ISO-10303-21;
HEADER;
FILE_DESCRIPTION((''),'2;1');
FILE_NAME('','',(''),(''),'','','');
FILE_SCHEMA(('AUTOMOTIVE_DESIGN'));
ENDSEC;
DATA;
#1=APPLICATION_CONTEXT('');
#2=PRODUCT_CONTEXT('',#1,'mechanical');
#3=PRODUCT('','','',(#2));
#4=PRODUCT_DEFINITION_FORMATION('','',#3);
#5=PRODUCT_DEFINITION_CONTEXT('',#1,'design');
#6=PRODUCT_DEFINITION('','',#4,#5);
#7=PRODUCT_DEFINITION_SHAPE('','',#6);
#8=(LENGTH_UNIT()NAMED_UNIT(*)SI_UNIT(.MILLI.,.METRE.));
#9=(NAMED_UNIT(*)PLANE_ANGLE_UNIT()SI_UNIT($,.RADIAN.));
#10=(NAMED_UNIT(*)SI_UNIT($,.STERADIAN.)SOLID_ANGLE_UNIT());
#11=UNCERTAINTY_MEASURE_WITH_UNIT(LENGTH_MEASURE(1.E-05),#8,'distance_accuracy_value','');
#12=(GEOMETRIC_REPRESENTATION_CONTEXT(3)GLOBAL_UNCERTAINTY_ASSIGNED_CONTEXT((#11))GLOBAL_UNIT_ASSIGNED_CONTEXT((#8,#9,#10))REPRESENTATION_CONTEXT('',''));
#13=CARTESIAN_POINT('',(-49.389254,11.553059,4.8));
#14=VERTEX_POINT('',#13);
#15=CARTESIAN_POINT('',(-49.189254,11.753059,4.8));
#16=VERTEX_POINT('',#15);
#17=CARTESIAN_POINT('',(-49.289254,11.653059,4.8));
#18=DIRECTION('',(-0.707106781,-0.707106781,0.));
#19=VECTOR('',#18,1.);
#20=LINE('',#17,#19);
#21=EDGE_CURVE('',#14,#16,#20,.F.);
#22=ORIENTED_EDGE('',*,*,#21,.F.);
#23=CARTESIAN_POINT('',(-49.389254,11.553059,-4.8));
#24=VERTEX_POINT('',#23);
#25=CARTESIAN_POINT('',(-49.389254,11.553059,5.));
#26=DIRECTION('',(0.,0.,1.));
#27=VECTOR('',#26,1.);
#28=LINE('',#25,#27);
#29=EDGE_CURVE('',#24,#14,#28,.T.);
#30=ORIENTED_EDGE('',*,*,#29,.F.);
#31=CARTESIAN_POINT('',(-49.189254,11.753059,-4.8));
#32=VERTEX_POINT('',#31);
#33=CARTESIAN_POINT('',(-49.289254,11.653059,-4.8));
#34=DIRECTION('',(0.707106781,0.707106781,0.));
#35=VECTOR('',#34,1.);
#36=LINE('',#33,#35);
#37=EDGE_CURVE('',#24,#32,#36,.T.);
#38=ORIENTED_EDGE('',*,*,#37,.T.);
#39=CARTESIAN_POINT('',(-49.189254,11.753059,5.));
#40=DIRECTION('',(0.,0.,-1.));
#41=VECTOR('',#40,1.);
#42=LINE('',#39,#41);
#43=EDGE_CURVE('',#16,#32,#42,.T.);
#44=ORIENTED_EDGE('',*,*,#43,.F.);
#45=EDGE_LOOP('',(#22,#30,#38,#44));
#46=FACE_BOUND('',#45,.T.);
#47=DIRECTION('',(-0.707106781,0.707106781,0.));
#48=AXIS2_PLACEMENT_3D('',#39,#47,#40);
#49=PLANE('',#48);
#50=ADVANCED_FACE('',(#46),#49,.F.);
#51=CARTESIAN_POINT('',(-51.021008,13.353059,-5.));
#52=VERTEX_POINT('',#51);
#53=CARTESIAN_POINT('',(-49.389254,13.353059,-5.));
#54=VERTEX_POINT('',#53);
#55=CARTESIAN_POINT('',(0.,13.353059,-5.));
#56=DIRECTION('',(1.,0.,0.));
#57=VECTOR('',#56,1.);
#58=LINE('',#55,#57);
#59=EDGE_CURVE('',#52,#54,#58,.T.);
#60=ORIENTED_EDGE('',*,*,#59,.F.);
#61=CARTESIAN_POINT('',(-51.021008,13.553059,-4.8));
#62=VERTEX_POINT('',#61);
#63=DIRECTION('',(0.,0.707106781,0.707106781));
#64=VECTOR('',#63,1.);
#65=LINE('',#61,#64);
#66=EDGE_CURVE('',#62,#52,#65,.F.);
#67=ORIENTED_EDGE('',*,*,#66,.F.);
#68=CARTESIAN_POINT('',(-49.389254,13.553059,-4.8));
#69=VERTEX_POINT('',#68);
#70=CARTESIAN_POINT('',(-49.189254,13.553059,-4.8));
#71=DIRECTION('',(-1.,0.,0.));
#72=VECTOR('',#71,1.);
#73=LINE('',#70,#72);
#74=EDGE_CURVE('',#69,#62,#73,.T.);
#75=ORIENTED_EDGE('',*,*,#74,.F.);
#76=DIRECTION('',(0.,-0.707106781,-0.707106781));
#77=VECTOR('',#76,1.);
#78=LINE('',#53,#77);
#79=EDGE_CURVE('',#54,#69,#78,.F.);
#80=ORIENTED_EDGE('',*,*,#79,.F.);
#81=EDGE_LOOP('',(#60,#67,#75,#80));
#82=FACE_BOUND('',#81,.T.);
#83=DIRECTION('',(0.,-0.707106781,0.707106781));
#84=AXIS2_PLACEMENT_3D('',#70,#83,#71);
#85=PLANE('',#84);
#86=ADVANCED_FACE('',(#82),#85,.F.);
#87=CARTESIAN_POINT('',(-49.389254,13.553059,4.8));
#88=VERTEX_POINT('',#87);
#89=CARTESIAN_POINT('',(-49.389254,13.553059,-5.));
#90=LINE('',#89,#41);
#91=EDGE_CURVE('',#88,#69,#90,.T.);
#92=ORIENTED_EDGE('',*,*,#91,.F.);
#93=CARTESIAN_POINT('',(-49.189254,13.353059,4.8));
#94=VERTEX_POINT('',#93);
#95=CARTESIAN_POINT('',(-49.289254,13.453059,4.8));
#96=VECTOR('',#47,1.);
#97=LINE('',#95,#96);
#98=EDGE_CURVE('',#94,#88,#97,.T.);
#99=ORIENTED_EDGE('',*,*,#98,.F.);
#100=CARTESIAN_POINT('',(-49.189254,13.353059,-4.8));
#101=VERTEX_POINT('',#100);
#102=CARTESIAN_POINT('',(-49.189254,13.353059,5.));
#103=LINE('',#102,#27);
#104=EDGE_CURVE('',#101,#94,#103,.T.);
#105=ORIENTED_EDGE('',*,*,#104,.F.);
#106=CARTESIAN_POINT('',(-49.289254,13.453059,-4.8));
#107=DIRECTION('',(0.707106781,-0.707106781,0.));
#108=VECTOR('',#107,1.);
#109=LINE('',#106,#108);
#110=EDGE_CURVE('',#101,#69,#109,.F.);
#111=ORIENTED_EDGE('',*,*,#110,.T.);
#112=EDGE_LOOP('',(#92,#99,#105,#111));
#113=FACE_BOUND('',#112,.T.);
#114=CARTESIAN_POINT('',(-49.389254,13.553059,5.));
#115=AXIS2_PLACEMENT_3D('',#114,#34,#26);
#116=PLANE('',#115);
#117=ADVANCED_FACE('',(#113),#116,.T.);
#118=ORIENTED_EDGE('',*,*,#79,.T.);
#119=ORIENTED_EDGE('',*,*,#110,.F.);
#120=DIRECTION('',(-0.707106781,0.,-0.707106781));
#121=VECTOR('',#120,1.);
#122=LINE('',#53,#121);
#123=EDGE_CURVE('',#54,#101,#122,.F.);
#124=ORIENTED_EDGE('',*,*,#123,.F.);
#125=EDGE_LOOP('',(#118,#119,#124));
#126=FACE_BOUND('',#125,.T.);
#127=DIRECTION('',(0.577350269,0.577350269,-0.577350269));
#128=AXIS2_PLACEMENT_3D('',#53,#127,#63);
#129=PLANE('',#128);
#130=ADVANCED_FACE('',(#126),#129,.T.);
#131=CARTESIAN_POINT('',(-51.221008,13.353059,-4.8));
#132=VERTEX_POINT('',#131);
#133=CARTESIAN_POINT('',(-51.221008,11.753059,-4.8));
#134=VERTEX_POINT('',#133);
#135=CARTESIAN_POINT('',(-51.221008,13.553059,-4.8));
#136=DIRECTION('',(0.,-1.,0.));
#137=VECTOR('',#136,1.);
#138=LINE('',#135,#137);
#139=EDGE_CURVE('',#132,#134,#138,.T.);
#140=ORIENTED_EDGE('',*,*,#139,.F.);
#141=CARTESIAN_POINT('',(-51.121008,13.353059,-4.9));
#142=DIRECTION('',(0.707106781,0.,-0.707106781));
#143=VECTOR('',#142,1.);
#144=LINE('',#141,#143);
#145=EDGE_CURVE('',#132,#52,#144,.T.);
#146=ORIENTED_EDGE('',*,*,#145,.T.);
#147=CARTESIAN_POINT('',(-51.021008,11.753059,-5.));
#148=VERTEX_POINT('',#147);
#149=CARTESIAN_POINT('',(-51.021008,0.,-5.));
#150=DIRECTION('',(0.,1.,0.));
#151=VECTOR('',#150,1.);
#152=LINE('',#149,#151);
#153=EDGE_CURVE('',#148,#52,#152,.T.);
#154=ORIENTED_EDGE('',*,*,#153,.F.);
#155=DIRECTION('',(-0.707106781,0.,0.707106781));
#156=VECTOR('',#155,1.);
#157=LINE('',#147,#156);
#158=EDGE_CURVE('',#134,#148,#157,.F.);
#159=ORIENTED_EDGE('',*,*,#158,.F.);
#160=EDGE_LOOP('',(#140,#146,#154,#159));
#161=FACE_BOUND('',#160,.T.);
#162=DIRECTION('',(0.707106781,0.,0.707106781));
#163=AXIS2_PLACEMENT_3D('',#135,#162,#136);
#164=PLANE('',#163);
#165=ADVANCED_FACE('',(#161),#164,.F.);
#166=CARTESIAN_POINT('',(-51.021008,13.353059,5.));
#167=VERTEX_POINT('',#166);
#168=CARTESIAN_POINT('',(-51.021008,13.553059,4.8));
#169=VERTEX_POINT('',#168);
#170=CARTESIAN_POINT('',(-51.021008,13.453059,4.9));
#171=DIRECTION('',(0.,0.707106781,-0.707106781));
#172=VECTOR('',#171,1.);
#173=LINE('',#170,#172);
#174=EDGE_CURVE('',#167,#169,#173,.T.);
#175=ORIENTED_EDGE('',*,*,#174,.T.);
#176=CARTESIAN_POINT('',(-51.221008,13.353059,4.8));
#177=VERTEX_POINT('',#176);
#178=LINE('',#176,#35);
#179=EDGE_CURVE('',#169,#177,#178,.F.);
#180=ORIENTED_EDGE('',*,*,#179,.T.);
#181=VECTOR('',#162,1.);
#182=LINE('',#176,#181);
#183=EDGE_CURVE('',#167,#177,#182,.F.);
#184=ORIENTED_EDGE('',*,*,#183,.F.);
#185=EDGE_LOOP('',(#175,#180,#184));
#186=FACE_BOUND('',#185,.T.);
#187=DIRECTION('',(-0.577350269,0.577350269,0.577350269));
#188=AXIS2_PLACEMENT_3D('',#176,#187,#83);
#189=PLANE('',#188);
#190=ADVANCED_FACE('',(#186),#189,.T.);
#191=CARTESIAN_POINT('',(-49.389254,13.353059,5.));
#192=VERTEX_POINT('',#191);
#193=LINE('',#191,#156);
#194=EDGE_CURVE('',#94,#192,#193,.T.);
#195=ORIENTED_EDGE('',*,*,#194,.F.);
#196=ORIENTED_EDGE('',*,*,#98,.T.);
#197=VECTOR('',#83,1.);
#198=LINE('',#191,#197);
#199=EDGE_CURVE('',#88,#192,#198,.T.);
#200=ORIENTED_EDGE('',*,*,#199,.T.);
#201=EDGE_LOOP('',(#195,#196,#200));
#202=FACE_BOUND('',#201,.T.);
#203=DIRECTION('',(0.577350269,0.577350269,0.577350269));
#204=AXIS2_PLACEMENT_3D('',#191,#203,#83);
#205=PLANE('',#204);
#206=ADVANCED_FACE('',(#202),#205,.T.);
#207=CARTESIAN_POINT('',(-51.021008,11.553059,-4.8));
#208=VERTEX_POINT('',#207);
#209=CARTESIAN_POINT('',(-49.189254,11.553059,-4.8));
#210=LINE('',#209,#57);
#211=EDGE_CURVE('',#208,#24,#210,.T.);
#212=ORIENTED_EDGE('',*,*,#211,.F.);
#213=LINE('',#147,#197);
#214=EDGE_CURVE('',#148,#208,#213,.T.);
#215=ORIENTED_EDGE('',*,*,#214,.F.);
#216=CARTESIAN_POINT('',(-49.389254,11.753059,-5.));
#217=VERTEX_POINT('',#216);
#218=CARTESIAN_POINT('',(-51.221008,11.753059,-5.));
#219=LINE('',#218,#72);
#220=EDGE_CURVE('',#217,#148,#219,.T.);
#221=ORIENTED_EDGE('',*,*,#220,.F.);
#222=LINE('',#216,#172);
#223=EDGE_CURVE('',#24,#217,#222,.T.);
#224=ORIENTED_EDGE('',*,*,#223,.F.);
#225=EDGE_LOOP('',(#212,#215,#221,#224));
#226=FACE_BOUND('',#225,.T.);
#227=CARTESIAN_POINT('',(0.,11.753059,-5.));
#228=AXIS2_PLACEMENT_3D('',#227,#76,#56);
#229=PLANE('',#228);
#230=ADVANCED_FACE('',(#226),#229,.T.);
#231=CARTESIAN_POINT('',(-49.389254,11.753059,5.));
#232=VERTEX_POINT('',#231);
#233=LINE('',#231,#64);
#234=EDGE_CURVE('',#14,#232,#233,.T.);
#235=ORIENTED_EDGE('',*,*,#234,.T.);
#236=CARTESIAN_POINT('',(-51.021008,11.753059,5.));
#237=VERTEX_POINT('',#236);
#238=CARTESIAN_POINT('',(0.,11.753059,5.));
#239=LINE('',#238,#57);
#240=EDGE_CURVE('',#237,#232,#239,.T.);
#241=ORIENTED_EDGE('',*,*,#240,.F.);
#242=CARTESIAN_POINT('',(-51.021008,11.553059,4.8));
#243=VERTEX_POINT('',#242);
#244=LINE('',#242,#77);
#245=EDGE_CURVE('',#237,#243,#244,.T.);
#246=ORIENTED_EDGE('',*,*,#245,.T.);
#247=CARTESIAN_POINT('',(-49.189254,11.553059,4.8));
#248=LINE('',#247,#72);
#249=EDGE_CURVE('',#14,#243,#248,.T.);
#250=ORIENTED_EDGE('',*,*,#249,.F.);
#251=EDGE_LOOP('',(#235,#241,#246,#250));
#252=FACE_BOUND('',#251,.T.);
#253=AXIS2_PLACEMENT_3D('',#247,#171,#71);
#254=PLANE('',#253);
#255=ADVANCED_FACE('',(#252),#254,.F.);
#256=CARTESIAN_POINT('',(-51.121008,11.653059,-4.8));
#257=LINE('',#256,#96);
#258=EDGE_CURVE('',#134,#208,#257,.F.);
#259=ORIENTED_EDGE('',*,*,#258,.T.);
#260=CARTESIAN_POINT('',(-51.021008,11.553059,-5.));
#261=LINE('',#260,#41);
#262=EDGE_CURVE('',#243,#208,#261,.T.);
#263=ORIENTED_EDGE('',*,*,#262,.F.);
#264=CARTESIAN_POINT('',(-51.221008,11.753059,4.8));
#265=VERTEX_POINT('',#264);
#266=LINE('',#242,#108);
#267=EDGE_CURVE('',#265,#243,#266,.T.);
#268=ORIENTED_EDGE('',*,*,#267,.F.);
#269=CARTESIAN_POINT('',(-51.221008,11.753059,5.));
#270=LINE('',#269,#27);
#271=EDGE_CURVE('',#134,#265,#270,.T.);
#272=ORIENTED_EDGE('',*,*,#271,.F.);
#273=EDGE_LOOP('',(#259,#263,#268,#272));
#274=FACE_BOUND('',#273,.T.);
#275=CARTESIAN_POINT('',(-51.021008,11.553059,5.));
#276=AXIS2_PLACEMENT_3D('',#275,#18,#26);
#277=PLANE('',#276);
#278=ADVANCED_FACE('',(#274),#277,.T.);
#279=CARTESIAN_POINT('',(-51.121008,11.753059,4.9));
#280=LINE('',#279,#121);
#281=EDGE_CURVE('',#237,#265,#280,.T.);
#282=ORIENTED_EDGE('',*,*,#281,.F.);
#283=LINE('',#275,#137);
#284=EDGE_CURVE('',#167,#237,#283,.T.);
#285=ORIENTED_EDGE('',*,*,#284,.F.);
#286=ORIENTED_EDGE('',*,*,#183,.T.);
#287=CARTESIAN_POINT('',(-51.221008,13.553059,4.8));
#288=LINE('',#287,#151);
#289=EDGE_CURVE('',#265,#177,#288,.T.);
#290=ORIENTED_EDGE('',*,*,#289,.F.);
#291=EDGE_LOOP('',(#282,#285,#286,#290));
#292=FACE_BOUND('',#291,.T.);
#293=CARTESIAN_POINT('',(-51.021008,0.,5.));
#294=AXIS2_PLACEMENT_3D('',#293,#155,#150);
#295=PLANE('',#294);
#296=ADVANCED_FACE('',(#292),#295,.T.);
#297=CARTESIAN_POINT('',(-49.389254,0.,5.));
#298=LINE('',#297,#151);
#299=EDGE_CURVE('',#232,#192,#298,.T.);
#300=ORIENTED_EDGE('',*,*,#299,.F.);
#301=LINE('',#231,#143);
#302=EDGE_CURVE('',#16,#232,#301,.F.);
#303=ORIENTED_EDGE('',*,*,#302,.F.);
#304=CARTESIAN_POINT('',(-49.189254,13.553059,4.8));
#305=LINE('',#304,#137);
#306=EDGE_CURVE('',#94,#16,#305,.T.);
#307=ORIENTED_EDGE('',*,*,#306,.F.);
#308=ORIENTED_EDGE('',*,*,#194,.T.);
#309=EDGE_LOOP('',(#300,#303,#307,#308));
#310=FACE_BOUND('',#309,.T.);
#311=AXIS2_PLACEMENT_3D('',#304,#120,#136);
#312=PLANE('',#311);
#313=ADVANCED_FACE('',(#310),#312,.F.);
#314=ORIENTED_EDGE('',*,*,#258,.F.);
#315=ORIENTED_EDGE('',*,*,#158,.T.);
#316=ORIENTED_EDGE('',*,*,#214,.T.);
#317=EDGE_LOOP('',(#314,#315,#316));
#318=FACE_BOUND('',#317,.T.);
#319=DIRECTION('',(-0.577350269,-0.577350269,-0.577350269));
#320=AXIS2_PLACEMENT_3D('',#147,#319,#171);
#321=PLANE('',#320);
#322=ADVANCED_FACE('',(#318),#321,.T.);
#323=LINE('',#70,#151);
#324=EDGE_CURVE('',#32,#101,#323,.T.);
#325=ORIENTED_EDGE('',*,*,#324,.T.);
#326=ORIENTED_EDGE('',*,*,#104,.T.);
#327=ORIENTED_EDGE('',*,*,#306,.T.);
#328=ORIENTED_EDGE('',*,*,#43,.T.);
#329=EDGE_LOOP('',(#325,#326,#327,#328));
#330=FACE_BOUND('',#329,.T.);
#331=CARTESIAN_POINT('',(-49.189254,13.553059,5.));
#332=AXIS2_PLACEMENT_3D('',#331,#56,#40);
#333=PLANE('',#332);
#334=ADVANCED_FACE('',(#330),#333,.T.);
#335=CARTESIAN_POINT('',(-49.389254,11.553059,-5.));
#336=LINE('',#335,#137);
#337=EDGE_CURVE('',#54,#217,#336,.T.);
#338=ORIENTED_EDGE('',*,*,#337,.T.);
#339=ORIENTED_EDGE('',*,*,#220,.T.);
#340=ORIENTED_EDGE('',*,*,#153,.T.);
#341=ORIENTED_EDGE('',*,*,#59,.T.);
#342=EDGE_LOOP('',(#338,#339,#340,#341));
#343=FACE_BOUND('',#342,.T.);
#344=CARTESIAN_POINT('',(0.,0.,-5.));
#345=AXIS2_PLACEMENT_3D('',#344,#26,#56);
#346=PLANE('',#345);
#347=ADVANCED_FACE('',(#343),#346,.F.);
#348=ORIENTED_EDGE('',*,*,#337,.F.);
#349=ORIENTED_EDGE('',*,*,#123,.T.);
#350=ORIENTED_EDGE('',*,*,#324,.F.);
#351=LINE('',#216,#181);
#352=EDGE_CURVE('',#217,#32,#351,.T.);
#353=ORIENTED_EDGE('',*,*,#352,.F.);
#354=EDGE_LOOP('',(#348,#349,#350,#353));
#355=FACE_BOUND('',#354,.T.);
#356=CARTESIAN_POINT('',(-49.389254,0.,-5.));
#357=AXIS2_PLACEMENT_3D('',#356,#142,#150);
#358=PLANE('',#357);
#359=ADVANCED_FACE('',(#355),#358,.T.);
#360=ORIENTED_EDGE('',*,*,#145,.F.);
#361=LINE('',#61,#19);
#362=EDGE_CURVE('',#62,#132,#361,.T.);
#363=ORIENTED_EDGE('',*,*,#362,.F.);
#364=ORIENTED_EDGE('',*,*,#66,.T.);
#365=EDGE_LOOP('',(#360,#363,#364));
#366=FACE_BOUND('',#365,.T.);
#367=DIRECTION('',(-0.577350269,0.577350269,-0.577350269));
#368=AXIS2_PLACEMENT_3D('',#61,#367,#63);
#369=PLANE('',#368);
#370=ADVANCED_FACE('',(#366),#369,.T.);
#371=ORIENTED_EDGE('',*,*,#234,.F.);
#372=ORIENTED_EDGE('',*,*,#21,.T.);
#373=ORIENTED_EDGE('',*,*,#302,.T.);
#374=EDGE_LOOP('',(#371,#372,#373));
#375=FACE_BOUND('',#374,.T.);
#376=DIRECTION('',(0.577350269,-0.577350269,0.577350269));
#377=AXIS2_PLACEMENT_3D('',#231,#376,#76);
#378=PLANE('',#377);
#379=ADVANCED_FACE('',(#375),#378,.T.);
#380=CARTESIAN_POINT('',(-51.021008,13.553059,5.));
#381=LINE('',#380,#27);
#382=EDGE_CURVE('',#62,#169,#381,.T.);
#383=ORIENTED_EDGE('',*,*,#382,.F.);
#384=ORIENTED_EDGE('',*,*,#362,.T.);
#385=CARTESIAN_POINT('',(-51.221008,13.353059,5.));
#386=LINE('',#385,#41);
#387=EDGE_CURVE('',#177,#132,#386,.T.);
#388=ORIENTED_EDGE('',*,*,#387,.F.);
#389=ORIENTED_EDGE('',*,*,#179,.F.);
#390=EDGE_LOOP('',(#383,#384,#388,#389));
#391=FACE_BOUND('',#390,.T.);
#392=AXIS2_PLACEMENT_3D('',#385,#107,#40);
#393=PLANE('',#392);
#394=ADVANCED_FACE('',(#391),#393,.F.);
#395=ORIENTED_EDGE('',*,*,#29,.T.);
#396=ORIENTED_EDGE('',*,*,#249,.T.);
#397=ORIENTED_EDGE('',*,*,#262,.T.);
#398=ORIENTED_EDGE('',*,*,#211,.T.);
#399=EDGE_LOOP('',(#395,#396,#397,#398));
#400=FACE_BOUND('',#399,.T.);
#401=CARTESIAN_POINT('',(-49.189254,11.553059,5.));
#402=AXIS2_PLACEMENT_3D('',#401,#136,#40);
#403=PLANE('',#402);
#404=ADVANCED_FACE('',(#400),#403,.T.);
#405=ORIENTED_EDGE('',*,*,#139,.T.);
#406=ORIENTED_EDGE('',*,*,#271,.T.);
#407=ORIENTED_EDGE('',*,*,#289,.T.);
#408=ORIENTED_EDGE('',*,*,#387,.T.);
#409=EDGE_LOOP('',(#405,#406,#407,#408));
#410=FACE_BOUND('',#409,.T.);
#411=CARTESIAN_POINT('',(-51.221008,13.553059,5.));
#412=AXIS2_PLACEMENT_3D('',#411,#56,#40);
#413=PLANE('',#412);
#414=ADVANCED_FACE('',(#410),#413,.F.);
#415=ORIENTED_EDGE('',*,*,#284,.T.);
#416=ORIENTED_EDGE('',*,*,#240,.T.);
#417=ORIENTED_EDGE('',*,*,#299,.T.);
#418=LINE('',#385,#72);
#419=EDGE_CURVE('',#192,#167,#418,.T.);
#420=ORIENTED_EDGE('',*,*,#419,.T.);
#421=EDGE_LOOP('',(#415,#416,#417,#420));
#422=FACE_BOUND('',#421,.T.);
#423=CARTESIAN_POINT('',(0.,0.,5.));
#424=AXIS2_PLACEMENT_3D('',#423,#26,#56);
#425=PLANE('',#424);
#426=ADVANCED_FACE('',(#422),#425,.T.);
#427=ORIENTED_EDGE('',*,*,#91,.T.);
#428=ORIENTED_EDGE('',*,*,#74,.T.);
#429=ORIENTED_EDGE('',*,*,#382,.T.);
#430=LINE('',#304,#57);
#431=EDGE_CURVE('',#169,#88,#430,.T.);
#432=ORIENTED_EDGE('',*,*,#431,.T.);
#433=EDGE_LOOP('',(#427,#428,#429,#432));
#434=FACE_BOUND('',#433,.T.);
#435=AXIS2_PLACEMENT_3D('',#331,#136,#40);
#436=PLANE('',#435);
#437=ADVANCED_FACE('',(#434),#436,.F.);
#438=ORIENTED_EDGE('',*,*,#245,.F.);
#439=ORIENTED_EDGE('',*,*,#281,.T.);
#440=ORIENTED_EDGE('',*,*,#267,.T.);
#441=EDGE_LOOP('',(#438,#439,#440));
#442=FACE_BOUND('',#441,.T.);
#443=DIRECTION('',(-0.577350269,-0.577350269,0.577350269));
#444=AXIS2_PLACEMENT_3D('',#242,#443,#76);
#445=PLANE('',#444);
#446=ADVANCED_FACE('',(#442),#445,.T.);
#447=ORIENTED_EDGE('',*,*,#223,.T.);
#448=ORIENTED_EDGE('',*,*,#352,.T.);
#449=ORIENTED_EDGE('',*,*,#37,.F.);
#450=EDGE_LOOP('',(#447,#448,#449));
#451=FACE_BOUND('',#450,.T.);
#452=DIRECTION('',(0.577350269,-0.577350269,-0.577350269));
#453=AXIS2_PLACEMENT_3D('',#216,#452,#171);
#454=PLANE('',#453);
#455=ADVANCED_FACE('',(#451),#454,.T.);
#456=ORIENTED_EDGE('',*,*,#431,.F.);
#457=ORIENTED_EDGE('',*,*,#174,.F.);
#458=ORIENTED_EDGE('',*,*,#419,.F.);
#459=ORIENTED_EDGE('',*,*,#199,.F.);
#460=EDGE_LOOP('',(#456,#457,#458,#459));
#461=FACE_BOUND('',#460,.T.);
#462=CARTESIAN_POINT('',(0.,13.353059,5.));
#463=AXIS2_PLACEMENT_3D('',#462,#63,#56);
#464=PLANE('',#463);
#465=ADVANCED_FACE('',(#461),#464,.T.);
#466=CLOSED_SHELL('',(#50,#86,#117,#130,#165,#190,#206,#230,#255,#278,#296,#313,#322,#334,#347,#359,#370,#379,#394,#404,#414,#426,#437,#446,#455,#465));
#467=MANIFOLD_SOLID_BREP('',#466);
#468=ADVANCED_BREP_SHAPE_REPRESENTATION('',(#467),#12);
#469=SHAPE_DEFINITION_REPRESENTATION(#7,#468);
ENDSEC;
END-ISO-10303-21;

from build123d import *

# Parameters (mm, degrees)
SKETCH1_W           = 2.031754164
SKETCH1_H           = 2
BOSS_EXTRUDE1_DEPTH = 5
CHAMFER1_SIZE       = 0.2


with BuildPart() as part:
    # Sketch1 → Boss-Extrude1 (new body, symmetric)
    with BuildSketch(Plane.XY):
        with Locations((-50.205131276, 12.553058878)):
            Rectangle(SKETCH1_W, SKETCH1_H)
    extrude(amount=BOSS_EXTRUDE1_DEPTH, both=True)

    # Chamfer1
    chamfer1_edges = [part.edges().sort_by_distance(p)[0] for p in [
        (-50.205131276, 11.553058878, 5),
        (-49.189254194, 12.553058878, 5),
        (-50.205131276, 13.553058878, 5),
        (-49.189254194, 12.553058878, -5),
        (-50.205131276, 11.553058878, -5),
        (-51.221008358, 12.553058878, -5),
        (-50.205131276, 13.553058878, -5),
        (-51.221008358, 12.553058878, 5),
        (-49.189254194, 13.553058878, 0),
        (-49.189254194, 11.553058878, 0),
        (-51.221008358, 11.553058878, 0),
        (-51.221008358, 13.553058878, 0),
    ]]
    chamfer(chamfer1_edges, length=CHAMFER1_SIZE)


solid = part.part
